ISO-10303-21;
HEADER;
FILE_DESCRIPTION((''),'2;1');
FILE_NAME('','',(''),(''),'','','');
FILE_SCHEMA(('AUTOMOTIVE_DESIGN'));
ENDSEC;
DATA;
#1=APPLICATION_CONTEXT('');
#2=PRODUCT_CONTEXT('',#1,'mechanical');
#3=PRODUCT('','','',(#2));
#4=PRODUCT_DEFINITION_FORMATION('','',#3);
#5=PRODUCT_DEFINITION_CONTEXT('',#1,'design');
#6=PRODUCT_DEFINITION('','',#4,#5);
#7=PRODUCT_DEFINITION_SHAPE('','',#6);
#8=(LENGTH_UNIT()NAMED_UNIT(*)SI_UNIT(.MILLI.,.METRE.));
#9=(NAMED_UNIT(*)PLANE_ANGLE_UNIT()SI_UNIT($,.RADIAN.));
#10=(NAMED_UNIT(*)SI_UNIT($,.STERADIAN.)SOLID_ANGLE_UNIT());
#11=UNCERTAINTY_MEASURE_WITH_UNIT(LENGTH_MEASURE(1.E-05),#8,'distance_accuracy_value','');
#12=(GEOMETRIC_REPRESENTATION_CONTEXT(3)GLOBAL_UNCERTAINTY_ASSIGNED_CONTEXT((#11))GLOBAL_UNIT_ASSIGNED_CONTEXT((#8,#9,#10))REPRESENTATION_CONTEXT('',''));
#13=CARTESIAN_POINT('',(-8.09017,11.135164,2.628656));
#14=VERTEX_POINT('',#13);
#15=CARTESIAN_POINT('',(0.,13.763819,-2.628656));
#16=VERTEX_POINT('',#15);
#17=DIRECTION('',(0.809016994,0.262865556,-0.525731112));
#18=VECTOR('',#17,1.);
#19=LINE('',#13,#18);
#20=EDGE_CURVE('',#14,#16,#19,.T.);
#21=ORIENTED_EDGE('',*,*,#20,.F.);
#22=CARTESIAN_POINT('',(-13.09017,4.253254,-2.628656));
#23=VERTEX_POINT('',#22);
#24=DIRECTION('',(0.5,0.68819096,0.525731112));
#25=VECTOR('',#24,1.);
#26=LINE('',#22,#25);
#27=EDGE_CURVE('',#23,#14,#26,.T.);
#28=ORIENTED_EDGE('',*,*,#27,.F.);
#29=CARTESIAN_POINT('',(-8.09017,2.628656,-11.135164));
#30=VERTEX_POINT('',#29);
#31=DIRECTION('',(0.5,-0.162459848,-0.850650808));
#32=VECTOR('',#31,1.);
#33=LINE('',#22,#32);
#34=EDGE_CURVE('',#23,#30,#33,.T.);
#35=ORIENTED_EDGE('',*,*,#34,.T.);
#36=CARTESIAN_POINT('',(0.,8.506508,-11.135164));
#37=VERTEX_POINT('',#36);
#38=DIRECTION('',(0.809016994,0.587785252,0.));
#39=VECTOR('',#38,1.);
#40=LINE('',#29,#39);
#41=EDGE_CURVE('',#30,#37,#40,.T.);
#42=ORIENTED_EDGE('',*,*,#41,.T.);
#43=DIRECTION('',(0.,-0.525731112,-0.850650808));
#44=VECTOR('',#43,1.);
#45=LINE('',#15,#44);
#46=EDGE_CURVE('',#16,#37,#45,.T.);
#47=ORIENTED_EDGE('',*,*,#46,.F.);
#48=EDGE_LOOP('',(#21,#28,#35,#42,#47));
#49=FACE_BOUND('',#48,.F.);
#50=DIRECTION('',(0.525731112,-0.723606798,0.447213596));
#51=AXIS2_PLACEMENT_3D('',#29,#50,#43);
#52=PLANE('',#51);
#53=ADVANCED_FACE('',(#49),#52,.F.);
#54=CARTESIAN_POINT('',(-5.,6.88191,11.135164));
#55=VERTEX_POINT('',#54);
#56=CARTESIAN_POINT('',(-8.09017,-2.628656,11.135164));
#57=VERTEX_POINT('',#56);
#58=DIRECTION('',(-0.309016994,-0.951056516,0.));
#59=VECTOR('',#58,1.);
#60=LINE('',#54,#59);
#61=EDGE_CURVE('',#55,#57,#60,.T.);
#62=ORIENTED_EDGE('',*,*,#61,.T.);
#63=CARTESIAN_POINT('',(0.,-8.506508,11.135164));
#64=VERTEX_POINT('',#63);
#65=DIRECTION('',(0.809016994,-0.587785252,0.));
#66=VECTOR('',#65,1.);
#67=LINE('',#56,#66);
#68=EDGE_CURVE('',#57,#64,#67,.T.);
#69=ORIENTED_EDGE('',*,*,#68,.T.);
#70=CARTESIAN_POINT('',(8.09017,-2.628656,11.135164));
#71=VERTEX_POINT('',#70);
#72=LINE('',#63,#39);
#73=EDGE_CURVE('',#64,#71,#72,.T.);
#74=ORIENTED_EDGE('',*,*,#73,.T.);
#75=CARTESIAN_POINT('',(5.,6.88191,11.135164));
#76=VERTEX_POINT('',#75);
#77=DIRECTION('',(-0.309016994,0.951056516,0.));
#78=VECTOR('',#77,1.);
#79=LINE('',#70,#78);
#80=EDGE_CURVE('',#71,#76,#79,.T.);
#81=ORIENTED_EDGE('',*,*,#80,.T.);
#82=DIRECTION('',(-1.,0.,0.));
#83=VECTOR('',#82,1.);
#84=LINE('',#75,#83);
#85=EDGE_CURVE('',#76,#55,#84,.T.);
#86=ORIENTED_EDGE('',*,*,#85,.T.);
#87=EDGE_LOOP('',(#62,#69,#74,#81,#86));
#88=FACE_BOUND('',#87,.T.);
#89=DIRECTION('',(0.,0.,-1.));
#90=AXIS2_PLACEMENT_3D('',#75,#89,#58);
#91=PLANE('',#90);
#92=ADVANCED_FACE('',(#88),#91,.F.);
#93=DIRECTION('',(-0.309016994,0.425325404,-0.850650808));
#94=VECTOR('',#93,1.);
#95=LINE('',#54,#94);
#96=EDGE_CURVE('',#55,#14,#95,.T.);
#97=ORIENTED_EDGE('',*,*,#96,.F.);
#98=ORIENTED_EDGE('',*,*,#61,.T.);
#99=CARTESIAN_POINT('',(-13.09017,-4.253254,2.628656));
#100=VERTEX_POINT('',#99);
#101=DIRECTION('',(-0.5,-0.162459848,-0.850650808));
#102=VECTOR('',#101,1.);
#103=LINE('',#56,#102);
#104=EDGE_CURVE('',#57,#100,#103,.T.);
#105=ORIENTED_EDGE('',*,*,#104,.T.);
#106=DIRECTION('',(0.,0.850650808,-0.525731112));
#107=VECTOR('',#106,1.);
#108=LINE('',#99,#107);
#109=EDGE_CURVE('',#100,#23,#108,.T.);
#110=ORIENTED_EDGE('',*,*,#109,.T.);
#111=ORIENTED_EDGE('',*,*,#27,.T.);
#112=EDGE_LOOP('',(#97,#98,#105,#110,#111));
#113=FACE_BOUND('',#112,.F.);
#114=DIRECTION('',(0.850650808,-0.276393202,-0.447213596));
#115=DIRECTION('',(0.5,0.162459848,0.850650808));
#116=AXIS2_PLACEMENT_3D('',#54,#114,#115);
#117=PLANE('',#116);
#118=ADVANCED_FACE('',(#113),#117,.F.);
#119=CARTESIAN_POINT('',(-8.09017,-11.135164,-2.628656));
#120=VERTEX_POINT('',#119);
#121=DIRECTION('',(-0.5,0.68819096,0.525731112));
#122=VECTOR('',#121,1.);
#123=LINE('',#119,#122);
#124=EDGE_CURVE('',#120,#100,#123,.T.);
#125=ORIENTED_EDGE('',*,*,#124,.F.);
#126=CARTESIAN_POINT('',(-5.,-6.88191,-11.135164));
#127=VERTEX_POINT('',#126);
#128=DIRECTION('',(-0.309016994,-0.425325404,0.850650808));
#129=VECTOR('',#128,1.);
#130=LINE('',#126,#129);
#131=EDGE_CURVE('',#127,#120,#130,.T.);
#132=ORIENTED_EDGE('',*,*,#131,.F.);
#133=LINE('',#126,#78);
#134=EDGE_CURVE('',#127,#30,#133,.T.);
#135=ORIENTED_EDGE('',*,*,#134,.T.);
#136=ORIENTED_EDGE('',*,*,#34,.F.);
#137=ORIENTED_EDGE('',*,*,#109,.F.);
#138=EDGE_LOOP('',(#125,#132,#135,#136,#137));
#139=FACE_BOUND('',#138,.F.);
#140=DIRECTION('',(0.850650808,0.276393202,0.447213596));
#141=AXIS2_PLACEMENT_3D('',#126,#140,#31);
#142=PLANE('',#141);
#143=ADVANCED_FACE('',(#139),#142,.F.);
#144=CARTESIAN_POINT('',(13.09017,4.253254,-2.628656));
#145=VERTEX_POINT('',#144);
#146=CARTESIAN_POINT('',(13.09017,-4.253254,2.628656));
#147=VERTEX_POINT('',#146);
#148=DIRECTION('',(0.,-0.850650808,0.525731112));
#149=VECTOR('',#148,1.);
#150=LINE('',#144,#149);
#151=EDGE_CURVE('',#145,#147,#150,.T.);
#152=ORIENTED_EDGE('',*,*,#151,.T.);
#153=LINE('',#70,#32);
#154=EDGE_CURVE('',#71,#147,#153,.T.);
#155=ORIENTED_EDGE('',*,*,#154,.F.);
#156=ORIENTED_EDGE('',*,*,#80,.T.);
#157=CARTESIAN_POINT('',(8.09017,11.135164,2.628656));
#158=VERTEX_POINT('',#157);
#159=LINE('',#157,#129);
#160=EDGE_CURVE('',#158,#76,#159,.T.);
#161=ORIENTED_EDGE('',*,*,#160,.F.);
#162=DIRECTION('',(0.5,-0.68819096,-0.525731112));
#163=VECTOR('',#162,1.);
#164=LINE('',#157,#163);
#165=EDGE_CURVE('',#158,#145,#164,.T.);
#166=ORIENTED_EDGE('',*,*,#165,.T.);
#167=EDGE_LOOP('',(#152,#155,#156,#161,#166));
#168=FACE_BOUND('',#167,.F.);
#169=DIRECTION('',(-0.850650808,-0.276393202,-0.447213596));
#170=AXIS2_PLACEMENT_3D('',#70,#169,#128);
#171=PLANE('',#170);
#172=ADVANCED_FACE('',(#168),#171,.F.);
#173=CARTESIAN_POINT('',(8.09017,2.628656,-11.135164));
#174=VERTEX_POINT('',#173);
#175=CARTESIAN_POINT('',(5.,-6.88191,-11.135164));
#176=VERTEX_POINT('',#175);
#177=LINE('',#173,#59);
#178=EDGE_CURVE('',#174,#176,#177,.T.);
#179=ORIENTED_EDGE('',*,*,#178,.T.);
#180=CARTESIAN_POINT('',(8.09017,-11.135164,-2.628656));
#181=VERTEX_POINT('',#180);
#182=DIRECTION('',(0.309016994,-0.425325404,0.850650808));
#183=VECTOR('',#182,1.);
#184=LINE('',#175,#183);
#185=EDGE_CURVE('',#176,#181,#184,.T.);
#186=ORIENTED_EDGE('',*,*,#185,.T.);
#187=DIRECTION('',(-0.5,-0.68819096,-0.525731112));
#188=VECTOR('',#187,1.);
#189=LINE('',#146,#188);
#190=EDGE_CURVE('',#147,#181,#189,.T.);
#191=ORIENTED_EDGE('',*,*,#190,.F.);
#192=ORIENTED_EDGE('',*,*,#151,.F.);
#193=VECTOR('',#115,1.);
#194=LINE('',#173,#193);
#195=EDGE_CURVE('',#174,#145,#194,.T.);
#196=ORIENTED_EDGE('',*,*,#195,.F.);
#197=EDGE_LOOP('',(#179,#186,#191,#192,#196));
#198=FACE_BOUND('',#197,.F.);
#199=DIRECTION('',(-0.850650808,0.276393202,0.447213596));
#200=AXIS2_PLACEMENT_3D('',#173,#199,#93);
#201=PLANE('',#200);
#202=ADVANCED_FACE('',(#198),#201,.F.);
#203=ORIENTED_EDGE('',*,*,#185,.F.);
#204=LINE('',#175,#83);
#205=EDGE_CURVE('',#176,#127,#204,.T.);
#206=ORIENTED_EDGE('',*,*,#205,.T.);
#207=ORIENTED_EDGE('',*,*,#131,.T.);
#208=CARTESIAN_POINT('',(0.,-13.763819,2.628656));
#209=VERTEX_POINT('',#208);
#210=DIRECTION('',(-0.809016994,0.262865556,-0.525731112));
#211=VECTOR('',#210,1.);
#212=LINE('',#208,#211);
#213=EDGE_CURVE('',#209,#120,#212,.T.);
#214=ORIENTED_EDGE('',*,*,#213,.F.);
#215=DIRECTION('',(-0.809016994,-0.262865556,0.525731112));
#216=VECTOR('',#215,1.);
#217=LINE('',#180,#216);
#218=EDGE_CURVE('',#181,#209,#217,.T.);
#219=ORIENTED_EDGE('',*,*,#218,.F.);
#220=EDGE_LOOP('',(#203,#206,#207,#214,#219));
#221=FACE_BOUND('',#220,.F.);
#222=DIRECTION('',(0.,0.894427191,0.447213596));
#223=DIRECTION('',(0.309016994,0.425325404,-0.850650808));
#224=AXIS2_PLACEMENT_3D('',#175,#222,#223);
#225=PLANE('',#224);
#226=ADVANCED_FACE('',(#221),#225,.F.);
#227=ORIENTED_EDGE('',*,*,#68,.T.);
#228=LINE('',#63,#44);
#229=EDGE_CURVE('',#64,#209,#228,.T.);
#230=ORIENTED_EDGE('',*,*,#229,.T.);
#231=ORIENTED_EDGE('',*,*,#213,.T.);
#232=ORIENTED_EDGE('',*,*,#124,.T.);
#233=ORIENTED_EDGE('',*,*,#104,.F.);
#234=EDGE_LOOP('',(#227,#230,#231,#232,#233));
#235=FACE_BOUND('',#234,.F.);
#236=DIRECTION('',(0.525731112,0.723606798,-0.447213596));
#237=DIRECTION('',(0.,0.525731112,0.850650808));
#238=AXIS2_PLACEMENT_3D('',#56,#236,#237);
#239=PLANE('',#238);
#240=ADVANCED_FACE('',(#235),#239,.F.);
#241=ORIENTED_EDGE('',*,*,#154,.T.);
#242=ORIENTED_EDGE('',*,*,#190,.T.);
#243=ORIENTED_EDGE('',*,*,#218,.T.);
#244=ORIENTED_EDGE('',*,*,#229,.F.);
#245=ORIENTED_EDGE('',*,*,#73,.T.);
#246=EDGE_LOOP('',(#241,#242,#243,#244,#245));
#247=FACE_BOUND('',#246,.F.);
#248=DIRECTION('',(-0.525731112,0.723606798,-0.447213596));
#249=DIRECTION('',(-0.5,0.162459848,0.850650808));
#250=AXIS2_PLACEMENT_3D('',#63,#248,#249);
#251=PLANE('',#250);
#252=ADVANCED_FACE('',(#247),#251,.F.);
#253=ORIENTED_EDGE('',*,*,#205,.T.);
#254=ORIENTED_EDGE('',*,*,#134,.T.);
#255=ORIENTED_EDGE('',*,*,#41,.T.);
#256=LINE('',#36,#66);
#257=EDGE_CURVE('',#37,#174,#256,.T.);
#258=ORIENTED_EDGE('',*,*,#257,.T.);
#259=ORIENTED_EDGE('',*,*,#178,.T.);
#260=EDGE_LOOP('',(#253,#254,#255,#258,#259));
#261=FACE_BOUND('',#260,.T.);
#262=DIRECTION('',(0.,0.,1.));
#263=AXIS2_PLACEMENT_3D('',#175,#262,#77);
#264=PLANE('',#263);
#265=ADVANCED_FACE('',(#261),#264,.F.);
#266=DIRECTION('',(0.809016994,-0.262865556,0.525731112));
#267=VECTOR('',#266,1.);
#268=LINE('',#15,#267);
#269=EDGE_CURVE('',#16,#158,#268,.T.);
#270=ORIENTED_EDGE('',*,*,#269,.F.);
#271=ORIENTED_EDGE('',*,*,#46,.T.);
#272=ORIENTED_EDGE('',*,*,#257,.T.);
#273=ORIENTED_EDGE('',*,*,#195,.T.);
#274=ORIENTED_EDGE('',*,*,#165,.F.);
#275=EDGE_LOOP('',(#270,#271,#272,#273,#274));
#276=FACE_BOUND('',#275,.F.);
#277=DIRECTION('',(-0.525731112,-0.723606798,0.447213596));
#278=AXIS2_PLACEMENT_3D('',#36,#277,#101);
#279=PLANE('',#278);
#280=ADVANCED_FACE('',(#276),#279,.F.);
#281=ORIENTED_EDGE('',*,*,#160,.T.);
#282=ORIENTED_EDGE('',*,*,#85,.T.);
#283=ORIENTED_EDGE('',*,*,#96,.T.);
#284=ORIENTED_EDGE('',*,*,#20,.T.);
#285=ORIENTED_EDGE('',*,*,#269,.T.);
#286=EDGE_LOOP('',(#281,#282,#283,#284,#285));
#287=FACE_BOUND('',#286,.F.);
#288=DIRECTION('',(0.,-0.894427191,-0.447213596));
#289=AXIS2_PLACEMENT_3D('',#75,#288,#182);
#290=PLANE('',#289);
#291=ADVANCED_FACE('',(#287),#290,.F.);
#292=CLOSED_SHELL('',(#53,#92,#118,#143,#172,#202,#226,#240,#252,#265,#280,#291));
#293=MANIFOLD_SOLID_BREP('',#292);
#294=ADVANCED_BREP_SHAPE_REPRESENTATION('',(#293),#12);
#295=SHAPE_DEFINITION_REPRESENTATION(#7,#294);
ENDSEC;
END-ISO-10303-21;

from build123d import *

# Parameters (mm, degrees)
F6_COUNT = 5
F7_COUNT = 2


with BuildPart() as f4:
    # F3 (on line) → F4 section 0
    with BuildSketch(Plane.XY.offset(11.1351636441), mode=Mode.PRIVATE) as f4_s0:
        Polygon((5, 6.8819096024), (-5, 6.8819096024), (-8.0901699437, -2.6286555606), (0, -8.5065080835), (8.0901699437, -2.6286555606), align=None)
    loft([f4_s0.sketch, Vertex(0, 0, 0)])


with BuildPart() as f5_1:
    # F5: instance of F4
    add(f4.part.mirror(Plane(origin=(0, 4.5879397349, 7.4234424294), x_dir=(-1, 0, 0), z_dir=(0, 0.8506508084, -0.5257311121))))


with BuildPart() as f6_1:
    # F6: instance of F5_1
    add(f5_1.part.rotate(Axis((0, 0, 5.5675818221), (0, 0, 1)), 1 * 360 / F6_COUNT))


with BuildPart() as f6_2:
    # F6: instance of F5_1
    add(f5_1.part.rotate(Axis((0, 0, 5.5675818221), (0, 0, 1)), 2 * 360 / F6_COUNT))


with BuildPart() as f6_3:
    # F6: instance of F5_1
    add(f5_1.part.rotate(Axis((0, 0, 5.5675818221), (0, 0, 1)), 3 * 360 / F6_COUNT))


with BuildPart() as f6_4:
    # F6: instance of F5_1
    add(f5_1.part.rotate(Axis((0, 0, 5.5675818221), (0, 0, 1)), 4 * 360 / F6_COUNT))


with BuildPart() as f4_1:
    add(f4.part)

    add(f5_1.part)  # F7 merges F5_1

    add(f6_1.part)  # F7 merges F6_1

    add(f6_2.part)  # F7 merges F6_2

    add(f6_3.part)  # F7 merges F6_3

    add(f6_4.part)  # F7 merges F6_4
    # F7: F4, F6_3, F6_4, F5_1, F6_2, F6_1 ×2 about axis
    f7_axis = Axis((0, 0, 0), (1, 0, 0))
    for i in range(1, F7_COUNT):
        add(f4.part.rotate(f7_axis, i * 360 / F7_COUNT))
        add(f6_3.part.rotate(f7_axis, i * 360 / F7_COUNT))
        add(f6_4.part.rotate(f7_axis, i * 360 / F7_COUNT))
        add(f5_1.part.rotate(f7_axis, i * 360 / F7_COUNT))
        add(f6_2.part.rotate(f7_axis, i * 360 / F7_COUNT))
        add(f6_1.part.rotate(f7_axis, i * 360 / F7_COUNT))


solid = f4_1.part
